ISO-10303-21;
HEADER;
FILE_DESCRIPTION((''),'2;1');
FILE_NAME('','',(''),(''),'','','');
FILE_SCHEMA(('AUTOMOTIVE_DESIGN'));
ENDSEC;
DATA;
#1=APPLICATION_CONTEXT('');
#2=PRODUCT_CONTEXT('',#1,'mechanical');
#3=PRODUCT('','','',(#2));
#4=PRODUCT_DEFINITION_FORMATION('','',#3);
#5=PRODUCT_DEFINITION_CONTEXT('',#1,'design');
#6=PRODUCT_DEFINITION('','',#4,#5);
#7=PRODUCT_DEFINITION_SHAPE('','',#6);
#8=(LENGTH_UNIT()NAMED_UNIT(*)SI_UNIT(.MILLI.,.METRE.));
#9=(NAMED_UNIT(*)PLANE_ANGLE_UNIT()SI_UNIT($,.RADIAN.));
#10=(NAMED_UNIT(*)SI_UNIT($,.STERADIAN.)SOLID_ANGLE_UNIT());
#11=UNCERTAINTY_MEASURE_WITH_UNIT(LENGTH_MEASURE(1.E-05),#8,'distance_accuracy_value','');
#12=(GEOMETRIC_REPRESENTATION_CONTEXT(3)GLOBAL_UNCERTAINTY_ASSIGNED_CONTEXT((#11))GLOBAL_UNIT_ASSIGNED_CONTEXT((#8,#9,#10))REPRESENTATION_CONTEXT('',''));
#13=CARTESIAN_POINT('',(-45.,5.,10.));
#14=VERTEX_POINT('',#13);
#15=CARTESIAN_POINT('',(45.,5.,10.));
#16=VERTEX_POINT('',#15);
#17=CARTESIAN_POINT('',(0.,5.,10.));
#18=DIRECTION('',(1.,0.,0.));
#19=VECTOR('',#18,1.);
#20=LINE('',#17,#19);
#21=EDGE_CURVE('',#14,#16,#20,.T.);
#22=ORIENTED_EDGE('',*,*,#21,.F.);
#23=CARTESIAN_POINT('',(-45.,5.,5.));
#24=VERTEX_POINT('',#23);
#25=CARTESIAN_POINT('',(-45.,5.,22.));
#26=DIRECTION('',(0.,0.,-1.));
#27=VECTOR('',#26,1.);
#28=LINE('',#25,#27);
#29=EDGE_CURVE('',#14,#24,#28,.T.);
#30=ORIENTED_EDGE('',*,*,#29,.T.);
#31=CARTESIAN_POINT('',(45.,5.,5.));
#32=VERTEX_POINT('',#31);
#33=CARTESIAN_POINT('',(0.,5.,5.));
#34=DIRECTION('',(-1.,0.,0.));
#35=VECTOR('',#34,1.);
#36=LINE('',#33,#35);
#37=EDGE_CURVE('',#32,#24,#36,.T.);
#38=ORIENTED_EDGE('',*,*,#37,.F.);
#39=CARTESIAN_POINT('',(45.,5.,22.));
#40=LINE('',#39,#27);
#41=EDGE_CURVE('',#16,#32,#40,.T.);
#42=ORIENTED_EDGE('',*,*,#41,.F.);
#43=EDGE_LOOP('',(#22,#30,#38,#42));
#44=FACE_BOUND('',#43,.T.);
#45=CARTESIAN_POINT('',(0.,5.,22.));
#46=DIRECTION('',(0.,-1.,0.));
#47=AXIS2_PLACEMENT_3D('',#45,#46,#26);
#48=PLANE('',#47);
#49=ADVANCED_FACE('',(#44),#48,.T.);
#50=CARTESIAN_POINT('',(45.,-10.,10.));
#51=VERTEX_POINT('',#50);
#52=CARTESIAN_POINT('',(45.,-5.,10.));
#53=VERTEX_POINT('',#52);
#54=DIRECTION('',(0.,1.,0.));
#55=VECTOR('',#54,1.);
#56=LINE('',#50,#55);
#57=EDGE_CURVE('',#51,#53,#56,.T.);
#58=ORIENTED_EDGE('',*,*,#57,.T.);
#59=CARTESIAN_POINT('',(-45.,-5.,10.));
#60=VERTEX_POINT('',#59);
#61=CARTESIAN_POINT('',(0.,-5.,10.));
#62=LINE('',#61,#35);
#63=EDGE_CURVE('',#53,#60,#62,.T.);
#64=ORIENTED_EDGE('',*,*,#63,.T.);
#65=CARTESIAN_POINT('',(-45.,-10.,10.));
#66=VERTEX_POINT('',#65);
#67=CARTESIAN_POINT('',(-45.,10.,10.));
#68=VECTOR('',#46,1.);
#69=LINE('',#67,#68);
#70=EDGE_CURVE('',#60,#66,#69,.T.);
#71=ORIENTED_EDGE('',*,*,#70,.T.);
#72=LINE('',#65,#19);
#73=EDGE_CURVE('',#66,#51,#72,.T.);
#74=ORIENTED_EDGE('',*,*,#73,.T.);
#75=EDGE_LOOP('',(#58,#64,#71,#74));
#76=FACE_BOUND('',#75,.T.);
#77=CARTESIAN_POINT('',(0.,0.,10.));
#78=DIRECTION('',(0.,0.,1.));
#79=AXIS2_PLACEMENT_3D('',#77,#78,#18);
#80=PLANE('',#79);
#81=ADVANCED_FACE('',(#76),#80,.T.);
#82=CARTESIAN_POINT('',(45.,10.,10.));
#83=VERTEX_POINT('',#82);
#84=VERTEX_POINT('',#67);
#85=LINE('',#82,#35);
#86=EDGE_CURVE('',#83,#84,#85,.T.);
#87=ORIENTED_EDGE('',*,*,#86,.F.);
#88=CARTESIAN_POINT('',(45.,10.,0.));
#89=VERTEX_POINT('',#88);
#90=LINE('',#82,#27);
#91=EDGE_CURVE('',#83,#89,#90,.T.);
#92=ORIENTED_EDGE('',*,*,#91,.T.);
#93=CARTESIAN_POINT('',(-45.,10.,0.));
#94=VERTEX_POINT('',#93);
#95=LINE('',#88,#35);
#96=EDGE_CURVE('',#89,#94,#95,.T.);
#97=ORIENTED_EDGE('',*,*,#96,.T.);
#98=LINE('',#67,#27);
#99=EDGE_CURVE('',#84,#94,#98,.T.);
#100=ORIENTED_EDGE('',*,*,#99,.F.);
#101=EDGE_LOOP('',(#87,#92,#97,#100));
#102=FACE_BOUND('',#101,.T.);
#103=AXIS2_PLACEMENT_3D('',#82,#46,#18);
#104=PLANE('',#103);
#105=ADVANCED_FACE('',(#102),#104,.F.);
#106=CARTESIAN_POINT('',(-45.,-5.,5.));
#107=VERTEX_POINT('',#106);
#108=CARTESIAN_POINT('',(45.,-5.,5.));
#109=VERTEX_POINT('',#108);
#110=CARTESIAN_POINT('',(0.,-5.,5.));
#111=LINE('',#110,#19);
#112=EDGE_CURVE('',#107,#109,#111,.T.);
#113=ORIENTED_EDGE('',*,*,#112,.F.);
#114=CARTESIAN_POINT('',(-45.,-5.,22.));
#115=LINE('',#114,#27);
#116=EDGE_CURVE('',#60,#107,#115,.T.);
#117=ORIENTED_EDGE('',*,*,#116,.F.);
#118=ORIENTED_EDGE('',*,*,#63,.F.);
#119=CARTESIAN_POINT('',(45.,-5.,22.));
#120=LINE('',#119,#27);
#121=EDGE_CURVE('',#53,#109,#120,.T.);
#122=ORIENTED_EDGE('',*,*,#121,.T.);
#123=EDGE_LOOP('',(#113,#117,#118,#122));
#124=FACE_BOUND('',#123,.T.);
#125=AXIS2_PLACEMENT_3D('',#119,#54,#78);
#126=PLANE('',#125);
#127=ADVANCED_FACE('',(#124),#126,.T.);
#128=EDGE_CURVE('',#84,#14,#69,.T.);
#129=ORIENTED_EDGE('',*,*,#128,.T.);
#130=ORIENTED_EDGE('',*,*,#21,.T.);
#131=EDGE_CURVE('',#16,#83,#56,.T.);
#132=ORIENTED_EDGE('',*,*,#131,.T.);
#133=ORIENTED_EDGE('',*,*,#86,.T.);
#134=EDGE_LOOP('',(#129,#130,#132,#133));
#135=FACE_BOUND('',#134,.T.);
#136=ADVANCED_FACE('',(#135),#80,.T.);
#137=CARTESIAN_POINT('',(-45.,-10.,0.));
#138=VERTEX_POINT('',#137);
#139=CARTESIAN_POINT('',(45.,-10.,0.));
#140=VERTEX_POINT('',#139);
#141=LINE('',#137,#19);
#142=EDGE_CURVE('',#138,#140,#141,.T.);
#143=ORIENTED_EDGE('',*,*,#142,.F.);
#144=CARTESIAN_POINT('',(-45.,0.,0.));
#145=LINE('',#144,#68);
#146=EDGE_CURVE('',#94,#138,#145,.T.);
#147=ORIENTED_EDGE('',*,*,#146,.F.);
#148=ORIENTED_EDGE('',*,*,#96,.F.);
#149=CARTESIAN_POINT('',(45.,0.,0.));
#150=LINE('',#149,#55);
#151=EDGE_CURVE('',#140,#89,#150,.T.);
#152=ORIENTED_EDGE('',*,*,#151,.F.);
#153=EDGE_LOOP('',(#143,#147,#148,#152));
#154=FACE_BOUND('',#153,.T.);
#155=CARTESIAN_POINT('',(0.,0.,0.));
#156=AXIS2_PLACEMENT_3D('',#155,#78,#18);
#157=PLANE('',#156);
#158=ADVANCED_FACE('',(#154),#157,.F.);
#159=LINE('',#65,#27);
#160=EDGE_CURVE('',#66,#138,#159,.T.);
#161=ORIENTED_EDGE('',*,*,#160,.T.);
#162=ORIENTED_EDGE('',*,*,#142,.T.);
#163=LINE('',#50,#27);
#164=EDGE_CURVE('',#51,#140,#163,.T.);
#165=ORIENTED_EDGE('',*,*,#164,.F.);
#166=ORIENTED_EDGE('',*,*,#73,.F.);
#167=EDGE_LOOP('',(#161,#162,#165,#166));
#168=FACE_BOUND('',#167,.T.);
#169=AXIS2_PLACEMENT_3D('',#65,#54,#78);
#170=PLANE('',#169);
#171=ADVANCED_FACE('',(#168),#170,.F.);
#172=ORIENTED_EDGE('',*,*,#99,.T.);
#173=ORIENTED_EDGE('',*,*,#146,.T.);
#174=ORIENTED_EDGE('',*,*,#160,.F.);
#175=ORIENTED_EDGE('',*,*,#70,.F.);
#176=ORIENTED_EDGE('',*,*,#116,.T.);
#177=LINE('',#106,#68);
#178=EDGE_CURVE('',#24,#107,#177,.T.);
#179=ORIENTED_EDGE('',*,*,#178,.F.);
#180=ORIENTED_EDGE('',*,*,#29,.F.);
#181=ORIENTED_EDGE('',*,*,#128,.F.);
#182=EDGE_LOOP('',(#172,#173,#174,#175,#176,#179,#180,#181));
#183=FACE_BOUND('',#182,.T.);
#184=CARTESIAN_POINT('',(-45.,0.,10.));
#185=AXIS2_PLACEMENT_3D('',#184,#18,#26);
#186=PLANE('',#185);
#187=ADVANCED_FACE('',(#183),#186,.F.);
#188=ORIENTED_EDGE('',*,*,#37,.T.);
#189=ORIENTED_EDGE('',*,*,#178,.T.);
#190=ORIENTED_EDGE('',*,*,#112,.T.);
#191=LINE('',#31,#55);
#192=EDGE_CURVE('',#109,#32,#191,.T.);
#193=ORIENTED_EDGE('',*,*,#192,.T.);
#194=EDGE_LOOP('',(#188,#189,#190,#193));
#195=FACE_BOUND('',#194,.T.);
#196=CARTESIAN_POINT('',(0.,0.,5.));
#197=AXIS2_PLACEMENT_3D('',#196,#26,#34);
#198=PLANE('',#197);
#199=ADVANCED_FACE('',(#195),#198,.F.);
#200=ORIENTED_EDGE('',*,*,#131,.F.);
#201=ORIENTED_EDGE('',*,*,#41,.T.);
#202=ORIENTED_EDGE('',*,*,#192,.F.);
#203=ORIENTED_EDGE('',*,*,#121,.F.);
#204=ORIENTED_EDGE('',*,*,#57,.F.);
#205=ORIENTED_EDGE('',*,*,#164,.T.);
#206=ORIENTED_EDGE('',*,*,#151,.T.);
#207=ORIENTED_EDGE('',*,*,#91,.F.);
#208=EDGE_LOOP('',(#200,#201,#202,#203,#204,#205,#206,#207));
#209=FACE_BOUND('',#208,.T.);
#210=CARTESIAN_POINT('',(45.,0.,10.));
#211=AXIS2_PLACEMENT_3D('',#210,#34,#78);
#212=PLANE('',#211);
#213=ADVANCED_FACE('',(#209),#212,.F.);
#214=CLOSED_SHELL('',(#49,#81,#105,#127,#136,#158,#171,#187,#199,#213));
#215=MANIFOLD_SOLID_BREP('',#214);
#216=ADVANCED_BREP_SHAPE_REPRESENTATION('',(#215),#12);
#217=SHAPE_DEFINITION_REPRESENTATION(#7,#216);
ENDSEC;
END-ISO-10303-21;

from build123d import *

# Parameters (mm, degrees)
BOSS_EXTRUDE1_DEPTH = 10
CUT_EXTRUDE2_DEPTH  = 22
BOSS_EXTRUDE2_DEPTH = 5


with BuildPart() as part:
    # Sketch1 → Boss-Extrude1 (new body)
    with BuildSketch(Plane.XY):
        Polygon((45, 0), (45, 10), (-45, 10), (-45, 0), (-45, -10), (45, -10), align=None)
    extrude(amount=BOSS_EXTRUDE1_DEPTH)

    # Sketch2 → Cut-Extrude2 (cut)
    with BuildSketch(Plane.XY):
        Polygon((0, 5), (45, 5), (45, -5), (0, -5), (-45, -5), (-45, 5), align=None)
    extrude(amount=CUT_EXTRUDE2_DEPTH, mode=Mode.SUBTRACT)


with BuildPart() as cut_extrude2_piece_1:
    # of the separate pieces the step leaves, piece 1, a body of its own (cut_extrude2_pieces)
    add(part.part.solids().sort_by_distance((45, -5, 0))[0])



with BuildPart() as cut_extrude2_piece_2:
    # of the separate pieces the step leaves, piece 2, a body of its own (cut_extrude2_pieces)
    add(part.part.solids().sort_by_distance((45, 10, 0))[0])


with BuildPart() as cut_extrude2_piece_1_1:
    add(cut_extrude2_piece_1.part)

    add(cut_extrude2_piece_2.part)  # Boss-Extrude2 merges Cut-Extrude2 piece 2
    # Sketch2<3> → Boss-Extrude2 (add)
    with BuildSketch(Plane.XY):
        Polygon((0, 5), (45, 5), (45, -5), (0, -5), (-45, -5), (-45, 5), align=None)
    extrude(amount=BOSS_EXTRUDE2_DEPTH)


solid = cut_extrude2_piece_1_1.part
